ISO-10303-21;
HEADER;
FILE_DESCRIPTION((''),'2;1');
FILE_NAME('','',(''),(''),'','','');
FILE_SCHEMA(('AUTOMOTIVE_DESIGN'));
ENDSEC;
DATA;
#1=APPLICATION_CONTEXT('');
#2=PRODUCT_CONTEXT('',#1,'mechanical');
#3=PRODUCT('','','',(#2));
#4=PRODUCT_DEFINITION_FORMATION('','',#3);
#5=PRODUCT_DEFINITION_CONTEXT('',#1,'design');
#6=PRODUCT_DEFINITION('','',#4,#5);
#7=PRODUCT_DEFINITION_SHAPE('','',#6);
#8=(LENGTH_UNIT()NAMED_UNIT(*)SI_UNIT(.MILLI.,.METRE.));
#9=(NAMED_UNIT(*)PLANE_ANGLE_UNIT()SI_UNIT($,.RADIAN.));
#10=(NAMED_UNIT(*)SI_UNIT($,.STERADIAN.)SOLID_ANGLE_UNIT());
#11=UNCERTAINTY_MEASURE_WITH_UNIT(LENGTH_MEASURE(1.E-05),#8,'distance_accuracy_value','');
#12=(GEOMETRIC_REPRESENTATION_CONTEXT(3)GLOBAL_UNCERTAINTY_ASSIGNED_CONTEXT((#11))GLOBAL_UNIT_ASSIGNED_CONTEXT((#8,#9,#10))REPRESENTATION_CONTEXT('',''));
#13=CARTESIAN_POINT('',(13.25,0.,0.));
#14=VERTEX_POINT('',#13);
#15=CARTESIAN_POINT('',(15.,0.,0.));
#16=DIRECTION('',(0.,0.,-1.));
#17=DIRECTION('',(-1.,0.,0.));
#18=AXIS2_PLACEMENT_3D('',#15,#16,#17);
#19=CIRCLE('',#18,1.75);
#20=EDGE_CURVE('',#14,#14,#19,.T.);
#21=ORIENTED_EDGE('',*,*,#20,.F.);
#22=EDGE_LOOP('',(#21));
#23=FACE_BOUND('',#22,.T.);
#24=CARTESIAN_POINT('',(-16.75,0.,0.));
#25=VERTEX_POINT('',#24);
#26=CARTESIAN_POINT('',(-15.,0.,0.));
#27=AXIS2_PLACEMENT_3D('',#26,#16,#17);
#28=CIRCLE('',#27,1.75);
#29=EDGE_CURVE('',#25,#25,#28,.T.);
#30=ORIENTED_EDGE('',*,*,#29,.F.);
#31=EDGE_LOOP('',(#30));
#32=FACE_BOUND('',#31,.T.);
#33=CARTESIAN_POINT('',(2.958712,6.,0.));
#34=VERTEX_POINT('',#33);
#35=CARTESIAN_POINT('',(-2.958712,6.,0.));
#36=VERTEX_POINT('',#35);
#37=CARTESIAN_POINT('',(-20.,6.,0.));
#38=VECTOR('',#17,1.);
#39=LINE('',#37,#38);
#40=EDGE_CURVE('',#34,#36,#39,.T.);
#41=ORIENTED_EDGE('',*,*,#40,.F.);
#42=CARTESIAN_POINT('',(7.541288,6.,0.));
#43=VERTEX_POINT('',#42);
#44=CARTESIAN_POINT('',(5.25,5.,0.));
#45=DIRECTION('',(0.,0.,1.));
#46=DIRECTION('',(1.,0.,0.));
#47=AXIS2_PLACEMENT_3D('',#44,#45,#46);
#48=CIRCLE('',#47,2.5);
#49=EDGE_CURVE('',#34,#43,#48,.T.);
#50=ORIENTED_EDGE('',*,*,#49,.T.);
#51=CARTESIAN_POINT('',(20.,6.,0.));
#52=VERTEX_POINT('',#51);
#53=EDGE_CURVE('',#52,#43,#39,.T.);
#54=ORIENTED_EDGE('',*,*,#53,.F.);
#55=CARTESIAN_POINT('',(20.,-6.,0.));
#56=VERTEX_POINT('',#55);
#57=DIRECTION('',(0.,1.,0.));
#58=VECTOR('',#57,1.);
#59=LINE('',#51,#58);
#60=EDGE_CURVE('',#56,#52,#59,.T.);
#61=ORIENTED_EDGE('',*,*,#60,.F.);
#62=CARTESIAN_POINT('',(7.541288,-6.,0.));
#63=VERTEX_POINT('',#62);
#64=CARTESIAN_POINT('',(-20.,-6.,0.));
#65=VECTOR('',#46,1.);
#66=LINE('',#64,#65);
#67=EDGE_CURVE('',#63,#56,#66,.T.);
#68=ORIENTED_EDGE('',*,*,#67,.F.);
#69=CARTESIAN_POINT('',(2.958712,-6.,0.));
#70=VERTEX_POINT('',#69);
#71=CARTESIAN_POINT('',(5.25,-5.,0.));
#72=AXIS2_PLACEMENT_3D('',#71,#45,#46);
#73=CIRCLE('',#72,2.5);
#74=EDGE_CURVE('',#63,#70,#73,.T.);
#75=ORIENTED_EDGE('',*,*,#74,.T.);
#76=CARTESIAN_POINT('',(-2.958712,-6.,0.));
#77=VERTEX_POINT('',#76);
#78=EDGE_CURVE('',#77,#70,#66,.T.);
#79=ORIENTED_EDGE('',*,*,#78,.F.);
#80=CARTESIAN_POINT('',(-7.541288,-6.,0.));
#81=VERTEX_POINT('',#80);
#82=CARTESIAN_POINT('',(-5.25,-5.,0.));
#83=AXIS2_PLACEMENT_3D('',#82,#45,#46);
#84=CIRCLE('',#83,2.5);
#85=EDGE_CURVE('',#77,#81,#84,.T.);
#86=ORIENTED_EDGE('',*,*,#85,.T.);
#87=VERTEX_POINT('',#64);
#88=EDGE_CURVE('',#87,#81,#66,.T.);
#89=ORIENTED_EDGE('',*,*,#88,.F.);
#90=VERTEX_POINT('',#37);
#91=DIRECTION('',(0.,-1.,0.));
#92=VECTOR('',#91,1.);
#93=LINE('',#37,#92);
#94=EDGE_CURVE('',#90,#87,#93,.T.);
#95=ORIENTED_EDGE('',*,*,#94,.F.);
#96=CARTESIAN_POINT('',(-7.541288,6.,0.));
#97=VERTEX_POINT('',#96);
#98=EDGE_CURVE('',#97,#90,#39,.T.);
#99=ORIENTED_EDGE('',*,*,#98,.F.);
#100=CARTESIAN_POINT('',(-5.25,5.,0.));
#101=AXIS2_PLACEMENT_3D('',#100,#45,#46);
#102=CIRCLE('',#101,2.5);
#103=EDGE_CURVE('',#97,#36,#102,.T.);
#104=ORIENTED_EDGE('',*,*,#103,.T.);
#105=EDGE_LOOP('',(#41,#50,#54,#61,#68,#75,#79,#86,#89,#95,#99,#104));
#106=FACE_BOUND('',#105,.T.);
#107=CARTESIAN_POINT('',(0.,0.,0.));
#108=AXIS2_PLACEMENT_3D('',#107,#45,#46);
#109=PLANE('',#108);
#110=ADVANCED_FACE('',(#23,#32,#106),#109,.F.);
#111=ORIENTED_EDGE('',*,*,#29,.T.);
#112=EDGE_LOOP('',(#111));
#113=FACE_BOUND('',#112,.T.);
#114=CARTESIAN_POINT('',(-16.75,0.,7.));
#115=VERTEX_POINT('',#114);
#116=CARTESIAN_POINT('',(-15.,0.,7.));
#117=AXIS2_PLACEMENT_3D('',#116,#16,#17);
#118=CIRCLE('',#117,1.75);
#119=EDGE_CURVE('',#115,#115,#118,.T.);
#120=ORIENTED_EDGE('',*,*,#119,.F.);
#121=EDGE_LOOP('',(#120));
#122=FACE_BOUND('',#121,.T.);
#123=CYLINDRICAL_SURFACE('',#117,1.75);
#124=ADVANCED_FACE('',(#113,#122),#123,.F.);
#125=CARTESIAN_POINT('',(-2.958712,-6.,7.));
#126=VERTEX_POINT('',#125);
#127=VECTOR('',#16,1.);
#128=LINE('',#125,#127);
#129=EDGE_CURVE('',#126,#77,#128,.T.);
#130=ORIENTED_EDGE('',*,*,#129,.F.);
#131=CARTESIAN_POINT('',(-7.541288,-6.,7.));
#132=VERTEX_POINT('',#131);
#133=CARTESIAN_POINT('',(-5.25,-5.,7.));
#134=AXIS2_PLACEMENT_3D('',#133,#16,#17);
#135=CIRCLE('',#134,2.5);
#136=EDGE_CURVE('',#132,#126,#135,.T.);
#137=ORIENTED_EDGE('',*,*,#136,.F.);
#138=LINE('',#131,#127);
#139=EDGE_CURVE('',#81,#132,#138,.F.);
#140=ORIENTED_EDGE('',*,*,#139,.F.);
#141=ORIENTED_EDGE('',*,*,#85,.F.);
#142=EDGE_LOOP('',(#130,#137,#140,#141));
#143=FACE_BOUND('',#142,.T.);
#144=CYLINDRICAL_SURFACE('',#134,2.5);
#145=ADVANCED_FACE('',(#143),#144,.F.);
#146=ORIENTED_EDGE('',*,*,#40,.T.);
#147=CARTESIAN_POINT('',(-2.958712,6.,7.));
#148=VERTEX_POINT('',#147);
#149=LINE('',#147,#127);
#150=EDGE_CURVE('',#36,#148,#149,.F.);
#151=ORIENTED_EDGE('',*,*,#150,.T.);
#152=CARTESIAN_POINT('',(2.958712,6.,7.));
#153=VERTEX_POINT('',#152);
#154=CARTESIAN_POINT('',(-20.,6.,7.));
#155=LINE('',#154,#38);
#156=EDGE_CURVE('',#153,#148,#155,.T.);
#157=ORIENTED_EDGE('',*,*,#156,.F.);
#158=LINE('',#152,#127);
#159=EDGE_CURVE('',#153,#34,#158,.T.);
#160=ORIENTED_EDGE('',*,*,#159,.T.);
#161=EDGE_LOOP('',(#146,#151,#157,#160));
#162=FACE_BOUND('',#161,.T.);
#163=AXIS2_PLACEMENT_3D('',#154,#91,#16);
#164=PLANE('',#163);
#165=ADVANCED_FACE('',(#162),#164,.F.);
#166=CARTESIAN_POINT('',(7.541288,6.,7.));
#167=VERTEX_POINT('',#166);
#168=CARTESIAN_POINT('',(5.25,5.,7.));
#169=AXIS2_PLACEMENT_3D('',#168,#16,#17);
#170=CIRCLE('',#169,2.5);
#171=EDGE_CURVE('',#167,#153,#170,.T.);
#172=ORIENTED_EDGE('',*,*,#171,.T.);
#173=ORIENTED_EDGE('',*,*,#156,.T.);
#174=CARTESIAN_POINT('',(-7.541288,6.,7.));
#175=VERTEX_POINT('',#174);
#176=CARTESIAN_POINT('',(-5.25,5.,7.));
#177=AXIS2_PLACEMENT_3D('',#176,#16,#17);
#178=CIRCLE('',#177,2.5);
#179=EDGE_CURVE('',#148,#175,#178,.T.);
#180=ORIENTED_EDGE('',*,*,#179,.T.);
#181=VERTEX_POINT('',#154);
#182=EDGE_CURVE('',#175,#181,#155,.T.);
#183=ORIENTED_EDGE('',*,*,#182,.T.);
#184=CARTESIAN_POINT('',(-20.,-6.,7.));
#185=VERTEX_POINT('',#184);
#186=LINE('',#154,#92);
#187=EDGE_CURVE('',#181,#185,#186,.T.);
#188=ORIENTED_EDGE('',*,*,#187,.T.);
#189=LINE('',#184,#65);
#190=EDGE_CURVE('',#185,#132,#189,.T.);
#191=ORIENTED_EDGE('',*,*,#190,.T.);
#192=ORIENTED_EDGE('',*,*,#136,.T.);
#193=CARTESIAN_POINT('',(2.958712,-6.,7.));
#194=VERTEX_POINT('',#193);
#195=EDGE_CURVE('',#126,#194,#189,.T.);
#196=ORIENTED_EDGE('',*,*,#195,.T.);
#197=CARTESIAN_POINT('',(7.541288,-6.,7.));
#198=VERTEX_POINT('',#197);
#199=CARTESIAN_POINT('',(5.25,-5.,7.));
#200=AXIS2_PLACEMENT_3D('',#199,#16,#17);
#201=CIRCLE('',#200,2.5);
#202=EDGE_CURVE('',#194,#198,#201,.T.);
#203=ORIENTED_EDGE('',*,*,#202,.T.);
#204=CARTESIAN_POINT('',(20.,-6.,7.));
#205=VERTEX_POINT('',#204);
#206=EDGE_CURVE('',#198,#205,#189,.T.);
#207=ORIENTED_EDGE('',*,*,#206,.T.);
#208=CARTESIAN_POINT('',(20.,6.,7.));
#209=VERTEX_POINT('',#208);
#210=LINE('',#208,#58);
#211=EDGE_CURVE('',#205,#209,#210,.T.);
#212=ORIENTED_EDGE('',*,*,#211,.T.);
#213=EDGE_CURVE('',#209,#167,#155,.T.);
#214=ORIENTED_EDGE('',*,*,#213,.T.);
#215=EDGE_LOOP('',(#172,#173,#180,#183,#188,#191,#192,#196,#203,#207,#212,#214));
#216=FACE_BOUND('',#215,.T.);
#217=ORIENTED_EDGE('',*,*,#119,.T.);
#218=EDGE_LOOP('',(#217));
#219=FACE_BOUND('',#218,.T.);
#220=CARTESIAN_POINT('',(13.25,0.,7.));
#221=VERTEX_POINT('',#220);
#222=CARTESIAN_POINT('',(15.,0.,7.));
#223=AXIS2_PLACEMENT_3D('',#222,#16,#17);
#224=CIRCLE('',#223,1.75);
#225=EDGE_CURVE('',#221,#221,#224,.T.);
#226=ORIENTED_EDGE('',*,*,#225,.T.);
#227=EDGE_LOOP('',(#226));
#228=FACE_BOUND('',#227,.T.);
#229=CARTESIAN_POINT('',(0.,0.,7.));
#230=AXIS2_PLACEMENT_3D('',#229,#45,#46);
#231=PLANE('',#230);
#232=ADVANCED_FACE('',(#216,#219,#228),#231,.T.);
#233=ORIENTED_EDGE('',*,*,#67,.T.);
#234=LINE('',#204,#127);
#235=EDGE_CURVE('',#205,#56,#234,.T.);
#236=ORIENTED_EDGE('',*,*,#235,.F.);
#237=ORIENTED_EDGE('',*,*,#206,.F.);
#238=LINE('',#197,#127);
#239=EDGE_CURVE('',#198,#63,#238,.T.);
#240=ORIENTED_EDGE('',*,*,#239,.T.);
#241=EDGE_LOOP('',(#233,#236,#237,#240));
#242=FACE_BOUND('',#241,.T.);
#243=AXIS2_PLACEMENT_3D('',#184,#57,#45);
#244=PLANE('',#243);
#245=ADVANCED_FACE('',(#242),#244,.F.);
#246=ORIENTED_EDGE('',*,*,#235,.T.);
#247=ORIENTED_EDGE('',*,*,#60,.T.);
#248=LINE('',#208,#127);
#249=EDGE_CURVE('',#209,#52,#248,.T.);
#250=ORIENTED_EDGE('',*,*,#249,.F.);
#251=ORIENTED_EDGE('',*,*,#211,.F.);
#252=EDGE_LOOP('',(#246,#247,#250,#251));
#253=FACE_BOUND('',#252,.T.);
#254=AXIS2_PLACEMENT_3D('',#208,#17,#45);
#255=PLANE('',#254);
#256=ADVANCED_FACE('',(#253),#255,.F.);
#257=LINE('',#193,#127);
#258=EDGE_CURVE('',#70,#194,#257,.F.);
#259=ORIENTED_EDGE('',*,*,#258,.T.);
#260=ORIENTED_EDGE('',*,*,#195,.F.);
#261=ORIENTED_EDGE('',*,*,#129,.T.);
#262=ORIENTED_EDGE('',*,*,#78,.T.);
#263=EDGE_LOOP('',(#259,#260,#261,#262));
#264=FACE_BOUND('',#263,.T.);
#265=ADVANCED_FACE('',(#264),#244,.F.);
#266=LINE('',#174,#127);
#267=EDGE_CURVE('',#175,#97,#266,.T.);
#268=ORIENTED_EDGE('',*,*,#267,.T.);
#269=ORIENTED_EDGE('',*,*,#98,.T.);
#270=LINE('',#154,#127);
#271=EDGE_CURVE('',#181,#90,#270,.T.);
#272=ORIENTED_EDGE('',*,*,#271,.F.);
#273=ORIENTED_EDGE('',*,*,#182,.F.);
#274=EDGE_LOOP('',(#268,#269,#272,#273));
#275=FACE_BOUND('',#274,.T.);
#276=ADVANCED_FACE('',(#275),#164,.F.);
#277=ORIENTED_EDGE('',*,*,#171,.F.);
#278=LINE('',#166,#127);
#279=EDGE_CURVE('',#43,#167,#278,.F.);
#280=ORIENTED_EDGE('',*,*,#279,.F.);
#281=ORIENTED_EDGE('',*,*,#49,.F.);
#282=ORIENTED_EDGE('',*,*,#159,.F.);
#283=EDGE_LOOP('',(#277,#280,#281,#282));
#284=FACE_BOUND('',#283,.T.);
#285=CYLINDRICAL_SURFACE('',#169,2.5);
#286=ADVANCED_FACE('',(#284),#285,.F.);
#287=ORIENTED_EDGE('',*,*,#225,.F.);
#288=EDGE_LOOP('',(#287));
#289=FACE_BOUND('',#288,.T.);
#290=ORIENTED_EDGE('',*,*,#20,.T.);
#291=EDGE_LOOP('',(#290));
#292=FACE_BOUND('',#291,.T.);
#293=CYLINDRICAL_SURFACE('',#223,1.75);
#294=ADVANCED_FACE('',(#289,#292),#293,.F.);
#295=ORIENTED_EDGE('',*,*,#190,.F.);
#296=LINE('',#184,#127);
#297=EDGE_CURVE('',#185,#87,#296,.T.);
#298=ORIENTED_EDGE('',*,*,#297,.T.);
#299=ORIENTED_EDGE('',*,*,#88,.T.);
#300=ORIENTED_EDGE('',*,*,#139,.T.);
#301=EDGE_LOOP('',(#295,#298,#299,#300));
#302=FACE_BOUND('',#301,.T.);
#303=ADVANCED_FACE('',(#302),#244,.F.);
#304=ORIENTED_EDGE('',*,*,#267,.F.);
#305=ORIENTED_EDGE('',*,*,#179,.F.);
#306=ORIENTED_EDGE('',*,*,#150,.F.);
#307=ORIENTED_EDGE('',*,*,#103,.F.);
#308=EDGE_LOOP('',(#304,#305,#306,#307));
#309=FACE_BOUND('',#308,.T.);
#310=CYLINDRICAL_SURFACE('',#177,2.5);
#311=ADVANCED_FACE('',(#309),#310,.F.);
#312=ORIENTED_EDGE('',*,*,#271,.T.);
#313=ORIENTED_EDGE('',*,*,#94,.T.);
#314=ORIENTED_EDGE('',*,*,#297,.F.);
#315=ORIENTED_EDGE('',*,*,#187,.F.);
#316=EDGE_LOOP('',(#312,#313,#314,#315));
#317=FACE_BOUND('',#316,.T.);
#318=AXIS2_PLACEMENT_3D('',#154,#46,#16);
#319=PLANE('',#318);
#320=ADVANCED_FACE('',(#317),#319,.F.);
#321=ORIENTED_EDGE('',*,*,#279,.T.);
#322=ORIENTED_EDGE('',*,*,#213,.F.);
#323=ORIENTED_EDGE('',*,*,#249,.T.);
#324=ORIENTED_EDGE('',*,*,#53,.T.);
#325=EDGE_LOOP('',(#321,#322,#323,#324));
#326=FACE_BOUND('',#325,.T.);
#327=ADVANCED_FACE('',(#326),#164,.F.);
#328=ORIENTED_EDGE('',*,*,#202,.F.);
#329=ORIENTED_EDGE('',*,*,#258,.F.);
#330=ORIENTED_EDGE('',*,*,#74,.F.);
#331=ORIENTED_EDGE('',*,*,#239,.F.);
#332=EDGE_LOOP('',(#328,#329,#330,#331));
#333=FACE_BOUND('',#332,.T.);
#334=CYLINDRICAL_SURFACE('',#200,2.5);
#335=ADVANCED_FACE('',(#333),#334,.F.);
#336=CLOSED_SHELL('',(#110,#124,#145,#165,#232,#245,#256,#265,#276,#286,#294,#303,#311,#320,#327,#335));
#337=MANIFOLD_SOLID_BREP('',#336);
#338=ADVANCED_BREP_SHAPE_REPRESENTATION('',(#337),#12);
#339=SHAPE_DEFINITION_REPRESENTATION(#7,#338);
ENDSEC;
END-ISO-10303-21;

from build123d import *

# Parameters (mm, degrees)
SKETCH1_W           = 40
SKETCH1_H           = 12
BOSS_EXTRUDE1_DEPTH = 7
SKETCH2_R           = 2.5
SKETCH2_R_2         = 1.75
CUT_EXTRUDE1_DEPTH  = 7


with BuildPart() as part:
    # Sketch1 → Boss-Extrude1 (new body)
    with BuildSketch(Plane.XY):
        Rectangle(SKETCH1_W, SKETCH1_H)
    extrude(amount=BOSS_EXTRUDE1_DEPTH)

    # Sketch2 → Cut-Extrude1 (cut)
    with BuildSketch(Plane(origin=(0, 0, 0), x_dir=(-1, 0, 0), z_dir=(0, 0, -1))):
        with Locations((-5.25, 5)):
            Circle(SKETCH2_R)
        with Locations((5.25, 5)):
            Circle(SKETCH2_R)
        with Locations((-5.25, -5)):
            Circle(SKETCH2_R)
        with Locations((5.25, -5)):
            Circle(SKETCH2_R)
        with Locations((-15, 0)):
            Circle(SKETCH2_R_2)
        with Locations((15, 0)):
            Circle(SKETCH2_R_2)
    extrude(amount=-CUT_EXTRUDE1_DEPTH, mode=Mode.SUBTRACT)


solid = part.part
